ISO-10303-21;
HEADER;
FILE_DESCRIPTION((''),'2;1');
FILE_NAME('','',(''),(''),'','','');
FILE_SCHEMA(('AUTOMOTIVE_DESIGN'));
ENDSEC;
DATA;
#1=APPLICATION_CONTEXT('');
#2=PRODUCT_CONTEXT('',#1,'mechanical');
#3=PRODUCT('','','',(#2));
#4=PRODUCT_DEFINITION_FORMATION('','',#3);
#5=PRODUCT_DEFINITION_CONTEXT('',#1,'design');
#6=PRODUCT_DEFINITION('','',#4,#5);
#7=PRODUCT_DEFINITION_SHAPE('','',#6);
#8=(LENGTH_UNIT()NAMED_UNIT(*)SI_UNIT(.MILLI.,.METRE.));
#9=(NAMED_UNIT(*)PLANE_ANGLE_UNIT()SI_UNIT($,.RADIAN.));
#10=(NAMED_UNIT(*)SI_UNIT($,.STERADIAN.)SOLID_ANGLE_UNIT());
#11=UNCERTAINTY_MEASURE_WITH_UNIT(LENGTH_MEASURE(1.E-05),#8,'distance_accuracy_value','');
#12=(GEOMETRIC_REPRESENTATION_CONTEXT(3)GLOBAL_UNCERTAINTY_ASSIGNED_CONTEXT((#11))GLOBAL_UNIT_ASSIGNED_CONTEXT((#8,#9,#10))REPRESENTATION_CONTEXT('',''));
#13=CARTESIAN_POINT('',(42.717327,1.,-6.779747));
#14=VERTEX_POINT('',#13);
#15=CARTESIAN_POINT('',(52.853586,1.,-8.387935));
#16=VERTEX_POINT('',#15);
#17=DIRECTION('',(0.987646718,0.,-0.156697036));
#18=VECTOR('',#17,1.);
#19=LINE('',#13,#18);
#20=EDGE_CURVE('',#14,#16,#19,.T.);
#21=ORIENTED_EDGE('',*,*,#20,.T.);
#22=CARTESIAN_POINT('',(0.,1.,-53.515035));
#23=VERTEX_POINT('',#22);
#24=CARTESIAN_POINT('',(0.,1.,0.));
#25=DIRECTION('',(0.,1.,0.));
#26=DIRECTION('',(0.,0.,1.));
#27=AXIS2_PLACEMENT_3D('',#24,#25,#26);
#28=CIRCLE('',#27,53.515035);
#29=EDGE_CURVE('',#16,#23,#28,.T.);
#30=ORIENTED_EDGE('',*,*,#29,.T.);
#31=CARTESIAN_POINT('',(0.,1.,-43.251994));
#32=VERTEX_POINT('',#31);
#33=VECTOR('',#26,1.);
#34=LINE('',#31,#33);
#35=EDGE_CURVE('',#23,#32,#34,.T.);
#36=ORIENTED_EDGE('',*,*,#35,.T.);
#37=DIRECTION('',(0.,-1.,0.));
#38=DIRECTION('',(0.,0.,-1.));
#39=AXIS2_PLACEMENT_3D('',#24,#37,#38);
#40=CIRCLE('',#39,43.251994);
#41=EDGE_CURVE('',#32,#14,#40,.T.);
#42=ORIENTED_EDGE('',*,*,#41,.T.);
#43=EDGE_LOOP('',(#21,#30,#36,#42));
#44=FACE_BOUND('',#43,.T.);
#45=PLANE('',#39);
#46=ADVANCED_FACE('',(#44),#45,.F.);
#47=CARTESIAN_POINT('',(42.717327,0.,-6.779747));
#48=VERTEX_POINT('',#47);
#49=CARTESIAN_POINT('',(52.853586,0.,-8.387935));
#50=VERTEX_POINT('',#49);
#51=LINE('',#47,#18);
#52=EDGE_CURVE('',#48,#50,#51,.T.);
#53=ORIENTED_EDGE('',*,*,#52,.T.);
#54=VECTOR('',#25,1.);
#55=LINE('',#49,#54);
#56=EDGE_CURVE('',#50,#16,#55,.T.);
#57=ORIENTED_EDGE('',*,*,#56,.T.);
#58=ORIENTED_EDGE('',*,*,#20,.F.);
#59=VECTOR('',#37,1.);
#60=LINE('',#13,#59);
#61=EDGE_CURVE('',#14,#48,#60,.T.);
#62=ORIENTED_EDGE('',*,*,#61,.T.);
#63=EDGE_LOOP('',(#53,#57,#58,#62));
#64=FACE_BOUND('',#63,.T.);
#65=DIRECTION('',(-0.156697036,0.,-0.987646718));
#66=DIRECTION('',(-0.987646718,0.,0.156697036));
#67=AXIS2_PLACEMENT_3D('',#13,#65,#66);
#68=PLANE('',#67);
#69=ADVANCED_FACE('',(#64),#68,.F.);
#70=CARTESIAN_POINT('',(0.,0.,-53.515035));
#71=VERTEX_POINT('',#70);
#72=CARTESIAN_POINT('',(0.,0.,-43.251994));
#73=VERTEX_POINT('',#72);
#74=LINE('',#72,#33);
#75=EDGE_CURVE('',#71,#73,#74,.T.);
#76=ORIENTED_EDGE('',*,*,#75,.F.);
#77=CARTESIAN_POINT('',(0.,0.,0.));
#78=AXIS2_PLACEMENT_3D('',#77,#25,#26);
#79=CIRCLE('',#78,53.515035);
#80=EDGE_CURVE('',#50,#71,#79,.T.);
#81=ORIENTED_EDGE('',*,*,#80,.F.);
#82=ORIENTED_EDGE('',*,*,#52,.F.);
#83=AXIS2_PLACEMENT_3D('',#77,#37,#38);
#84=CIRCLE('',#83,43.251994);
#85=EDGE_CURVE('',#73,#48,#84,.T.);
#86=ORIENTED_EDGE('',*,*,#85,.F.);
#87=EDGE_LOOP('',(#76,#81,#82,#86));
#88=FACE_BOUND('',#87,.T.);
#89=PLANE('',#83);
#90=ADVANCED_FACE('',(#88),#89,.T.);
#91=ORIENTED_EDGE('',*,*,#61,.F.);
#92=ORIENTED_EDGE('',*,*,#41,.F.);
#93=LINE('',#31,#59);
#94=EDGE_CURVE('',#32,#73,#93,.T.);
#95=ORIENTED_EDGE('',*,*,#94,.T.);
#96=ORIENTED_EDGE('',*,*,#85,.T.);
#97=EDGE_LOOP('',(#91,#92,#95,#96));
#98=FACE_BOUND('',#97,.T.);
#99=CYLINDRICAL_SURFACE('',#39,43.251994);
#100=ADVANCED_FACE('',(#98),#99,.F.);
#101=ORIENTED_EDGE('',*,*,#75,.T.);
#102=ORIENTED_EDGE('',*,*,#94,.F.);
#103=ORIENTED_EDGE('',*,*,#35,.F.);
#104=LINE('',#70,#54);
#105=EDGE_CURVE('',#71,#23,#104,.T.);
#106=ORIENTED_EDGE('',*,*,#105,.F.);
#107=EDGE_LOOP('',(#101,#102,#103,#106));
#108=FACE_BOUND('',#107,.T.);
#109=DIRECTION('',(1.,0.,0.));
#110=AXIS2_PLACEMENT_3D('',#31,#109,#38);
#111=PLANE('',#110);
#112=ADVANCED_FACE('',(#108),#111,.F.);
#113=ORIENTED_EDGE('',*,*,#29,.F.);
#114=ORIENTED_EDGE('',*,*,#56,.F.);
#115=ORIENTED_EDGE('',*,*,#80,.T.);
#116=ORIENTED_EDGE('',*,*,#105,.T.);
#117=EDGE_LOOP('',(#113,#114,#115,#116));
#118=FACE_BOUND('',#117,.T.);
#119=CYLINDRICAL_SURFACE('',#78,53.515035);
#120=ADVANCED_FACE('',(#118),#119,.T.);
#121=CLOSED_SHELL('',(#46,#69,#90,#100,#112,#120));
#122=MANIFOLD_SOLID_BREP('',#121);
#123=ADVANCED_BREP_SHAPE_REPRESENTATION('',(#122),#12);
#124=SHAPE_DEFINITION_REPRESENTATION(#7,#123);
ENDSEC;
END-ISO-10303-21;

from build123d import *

# Parameters (mm, degrees)
BOSS_EXTRUDE1_DEPTH = 1
CUT_EXTRUDE2_DEPTH  = 79.106781766


with BuildPart() as part:
    # Sketch1 → Boss-Extrude1 (new body)
    with BuildSketch(Plane(origin=(0, 0, 0), x_dir=(1, 0, 0), z_dir=(0, 1, 0))):
        with BuildLine():
            Line((0, 43.251994239), (0, 55.567643532))
            ThreePointArc((0, 55.567643532), (36.081799937, 42.259516337), (54.880837731, 8.709572759))
            Line((54.880837731, 8.709572759), (42.717327117, 6.779747014))
            ThreePointArc((42.717327117, 6.779747014), (28.084670434, 32.893560042), (0, 43.251994239))
        make_face()
    extrude(amount=BOSS_EXTRUDE1_DEPTH)

    # Sketch3 → Cut-Extrude2 (cut, through all)
    with BuildSketch(Plane(origin=(0, 1, 0), x_dir=(1, 0, 0), z_dir=(0, 1, 0))):
        with BuildLine():
            ThreePointArc((0, 53.515035317), (34.74894502, 40.698523621), (52.853585963, 8.387935135))
            Line((52.853585963, 8.387935135), (54.880837731, 8.709572759))
            ThreePointArc((54.880837731, 8.709572759), (36.081799937, 42.259516337), (0, 55.567643532))
            Line((0, 55.567643532), (0, 53.515035317))
        make_face()
    extrude(amount=-CUT_EXTRUDE2_DEPTH, mode=Mode.SUBTRACT)


solid = part.part
